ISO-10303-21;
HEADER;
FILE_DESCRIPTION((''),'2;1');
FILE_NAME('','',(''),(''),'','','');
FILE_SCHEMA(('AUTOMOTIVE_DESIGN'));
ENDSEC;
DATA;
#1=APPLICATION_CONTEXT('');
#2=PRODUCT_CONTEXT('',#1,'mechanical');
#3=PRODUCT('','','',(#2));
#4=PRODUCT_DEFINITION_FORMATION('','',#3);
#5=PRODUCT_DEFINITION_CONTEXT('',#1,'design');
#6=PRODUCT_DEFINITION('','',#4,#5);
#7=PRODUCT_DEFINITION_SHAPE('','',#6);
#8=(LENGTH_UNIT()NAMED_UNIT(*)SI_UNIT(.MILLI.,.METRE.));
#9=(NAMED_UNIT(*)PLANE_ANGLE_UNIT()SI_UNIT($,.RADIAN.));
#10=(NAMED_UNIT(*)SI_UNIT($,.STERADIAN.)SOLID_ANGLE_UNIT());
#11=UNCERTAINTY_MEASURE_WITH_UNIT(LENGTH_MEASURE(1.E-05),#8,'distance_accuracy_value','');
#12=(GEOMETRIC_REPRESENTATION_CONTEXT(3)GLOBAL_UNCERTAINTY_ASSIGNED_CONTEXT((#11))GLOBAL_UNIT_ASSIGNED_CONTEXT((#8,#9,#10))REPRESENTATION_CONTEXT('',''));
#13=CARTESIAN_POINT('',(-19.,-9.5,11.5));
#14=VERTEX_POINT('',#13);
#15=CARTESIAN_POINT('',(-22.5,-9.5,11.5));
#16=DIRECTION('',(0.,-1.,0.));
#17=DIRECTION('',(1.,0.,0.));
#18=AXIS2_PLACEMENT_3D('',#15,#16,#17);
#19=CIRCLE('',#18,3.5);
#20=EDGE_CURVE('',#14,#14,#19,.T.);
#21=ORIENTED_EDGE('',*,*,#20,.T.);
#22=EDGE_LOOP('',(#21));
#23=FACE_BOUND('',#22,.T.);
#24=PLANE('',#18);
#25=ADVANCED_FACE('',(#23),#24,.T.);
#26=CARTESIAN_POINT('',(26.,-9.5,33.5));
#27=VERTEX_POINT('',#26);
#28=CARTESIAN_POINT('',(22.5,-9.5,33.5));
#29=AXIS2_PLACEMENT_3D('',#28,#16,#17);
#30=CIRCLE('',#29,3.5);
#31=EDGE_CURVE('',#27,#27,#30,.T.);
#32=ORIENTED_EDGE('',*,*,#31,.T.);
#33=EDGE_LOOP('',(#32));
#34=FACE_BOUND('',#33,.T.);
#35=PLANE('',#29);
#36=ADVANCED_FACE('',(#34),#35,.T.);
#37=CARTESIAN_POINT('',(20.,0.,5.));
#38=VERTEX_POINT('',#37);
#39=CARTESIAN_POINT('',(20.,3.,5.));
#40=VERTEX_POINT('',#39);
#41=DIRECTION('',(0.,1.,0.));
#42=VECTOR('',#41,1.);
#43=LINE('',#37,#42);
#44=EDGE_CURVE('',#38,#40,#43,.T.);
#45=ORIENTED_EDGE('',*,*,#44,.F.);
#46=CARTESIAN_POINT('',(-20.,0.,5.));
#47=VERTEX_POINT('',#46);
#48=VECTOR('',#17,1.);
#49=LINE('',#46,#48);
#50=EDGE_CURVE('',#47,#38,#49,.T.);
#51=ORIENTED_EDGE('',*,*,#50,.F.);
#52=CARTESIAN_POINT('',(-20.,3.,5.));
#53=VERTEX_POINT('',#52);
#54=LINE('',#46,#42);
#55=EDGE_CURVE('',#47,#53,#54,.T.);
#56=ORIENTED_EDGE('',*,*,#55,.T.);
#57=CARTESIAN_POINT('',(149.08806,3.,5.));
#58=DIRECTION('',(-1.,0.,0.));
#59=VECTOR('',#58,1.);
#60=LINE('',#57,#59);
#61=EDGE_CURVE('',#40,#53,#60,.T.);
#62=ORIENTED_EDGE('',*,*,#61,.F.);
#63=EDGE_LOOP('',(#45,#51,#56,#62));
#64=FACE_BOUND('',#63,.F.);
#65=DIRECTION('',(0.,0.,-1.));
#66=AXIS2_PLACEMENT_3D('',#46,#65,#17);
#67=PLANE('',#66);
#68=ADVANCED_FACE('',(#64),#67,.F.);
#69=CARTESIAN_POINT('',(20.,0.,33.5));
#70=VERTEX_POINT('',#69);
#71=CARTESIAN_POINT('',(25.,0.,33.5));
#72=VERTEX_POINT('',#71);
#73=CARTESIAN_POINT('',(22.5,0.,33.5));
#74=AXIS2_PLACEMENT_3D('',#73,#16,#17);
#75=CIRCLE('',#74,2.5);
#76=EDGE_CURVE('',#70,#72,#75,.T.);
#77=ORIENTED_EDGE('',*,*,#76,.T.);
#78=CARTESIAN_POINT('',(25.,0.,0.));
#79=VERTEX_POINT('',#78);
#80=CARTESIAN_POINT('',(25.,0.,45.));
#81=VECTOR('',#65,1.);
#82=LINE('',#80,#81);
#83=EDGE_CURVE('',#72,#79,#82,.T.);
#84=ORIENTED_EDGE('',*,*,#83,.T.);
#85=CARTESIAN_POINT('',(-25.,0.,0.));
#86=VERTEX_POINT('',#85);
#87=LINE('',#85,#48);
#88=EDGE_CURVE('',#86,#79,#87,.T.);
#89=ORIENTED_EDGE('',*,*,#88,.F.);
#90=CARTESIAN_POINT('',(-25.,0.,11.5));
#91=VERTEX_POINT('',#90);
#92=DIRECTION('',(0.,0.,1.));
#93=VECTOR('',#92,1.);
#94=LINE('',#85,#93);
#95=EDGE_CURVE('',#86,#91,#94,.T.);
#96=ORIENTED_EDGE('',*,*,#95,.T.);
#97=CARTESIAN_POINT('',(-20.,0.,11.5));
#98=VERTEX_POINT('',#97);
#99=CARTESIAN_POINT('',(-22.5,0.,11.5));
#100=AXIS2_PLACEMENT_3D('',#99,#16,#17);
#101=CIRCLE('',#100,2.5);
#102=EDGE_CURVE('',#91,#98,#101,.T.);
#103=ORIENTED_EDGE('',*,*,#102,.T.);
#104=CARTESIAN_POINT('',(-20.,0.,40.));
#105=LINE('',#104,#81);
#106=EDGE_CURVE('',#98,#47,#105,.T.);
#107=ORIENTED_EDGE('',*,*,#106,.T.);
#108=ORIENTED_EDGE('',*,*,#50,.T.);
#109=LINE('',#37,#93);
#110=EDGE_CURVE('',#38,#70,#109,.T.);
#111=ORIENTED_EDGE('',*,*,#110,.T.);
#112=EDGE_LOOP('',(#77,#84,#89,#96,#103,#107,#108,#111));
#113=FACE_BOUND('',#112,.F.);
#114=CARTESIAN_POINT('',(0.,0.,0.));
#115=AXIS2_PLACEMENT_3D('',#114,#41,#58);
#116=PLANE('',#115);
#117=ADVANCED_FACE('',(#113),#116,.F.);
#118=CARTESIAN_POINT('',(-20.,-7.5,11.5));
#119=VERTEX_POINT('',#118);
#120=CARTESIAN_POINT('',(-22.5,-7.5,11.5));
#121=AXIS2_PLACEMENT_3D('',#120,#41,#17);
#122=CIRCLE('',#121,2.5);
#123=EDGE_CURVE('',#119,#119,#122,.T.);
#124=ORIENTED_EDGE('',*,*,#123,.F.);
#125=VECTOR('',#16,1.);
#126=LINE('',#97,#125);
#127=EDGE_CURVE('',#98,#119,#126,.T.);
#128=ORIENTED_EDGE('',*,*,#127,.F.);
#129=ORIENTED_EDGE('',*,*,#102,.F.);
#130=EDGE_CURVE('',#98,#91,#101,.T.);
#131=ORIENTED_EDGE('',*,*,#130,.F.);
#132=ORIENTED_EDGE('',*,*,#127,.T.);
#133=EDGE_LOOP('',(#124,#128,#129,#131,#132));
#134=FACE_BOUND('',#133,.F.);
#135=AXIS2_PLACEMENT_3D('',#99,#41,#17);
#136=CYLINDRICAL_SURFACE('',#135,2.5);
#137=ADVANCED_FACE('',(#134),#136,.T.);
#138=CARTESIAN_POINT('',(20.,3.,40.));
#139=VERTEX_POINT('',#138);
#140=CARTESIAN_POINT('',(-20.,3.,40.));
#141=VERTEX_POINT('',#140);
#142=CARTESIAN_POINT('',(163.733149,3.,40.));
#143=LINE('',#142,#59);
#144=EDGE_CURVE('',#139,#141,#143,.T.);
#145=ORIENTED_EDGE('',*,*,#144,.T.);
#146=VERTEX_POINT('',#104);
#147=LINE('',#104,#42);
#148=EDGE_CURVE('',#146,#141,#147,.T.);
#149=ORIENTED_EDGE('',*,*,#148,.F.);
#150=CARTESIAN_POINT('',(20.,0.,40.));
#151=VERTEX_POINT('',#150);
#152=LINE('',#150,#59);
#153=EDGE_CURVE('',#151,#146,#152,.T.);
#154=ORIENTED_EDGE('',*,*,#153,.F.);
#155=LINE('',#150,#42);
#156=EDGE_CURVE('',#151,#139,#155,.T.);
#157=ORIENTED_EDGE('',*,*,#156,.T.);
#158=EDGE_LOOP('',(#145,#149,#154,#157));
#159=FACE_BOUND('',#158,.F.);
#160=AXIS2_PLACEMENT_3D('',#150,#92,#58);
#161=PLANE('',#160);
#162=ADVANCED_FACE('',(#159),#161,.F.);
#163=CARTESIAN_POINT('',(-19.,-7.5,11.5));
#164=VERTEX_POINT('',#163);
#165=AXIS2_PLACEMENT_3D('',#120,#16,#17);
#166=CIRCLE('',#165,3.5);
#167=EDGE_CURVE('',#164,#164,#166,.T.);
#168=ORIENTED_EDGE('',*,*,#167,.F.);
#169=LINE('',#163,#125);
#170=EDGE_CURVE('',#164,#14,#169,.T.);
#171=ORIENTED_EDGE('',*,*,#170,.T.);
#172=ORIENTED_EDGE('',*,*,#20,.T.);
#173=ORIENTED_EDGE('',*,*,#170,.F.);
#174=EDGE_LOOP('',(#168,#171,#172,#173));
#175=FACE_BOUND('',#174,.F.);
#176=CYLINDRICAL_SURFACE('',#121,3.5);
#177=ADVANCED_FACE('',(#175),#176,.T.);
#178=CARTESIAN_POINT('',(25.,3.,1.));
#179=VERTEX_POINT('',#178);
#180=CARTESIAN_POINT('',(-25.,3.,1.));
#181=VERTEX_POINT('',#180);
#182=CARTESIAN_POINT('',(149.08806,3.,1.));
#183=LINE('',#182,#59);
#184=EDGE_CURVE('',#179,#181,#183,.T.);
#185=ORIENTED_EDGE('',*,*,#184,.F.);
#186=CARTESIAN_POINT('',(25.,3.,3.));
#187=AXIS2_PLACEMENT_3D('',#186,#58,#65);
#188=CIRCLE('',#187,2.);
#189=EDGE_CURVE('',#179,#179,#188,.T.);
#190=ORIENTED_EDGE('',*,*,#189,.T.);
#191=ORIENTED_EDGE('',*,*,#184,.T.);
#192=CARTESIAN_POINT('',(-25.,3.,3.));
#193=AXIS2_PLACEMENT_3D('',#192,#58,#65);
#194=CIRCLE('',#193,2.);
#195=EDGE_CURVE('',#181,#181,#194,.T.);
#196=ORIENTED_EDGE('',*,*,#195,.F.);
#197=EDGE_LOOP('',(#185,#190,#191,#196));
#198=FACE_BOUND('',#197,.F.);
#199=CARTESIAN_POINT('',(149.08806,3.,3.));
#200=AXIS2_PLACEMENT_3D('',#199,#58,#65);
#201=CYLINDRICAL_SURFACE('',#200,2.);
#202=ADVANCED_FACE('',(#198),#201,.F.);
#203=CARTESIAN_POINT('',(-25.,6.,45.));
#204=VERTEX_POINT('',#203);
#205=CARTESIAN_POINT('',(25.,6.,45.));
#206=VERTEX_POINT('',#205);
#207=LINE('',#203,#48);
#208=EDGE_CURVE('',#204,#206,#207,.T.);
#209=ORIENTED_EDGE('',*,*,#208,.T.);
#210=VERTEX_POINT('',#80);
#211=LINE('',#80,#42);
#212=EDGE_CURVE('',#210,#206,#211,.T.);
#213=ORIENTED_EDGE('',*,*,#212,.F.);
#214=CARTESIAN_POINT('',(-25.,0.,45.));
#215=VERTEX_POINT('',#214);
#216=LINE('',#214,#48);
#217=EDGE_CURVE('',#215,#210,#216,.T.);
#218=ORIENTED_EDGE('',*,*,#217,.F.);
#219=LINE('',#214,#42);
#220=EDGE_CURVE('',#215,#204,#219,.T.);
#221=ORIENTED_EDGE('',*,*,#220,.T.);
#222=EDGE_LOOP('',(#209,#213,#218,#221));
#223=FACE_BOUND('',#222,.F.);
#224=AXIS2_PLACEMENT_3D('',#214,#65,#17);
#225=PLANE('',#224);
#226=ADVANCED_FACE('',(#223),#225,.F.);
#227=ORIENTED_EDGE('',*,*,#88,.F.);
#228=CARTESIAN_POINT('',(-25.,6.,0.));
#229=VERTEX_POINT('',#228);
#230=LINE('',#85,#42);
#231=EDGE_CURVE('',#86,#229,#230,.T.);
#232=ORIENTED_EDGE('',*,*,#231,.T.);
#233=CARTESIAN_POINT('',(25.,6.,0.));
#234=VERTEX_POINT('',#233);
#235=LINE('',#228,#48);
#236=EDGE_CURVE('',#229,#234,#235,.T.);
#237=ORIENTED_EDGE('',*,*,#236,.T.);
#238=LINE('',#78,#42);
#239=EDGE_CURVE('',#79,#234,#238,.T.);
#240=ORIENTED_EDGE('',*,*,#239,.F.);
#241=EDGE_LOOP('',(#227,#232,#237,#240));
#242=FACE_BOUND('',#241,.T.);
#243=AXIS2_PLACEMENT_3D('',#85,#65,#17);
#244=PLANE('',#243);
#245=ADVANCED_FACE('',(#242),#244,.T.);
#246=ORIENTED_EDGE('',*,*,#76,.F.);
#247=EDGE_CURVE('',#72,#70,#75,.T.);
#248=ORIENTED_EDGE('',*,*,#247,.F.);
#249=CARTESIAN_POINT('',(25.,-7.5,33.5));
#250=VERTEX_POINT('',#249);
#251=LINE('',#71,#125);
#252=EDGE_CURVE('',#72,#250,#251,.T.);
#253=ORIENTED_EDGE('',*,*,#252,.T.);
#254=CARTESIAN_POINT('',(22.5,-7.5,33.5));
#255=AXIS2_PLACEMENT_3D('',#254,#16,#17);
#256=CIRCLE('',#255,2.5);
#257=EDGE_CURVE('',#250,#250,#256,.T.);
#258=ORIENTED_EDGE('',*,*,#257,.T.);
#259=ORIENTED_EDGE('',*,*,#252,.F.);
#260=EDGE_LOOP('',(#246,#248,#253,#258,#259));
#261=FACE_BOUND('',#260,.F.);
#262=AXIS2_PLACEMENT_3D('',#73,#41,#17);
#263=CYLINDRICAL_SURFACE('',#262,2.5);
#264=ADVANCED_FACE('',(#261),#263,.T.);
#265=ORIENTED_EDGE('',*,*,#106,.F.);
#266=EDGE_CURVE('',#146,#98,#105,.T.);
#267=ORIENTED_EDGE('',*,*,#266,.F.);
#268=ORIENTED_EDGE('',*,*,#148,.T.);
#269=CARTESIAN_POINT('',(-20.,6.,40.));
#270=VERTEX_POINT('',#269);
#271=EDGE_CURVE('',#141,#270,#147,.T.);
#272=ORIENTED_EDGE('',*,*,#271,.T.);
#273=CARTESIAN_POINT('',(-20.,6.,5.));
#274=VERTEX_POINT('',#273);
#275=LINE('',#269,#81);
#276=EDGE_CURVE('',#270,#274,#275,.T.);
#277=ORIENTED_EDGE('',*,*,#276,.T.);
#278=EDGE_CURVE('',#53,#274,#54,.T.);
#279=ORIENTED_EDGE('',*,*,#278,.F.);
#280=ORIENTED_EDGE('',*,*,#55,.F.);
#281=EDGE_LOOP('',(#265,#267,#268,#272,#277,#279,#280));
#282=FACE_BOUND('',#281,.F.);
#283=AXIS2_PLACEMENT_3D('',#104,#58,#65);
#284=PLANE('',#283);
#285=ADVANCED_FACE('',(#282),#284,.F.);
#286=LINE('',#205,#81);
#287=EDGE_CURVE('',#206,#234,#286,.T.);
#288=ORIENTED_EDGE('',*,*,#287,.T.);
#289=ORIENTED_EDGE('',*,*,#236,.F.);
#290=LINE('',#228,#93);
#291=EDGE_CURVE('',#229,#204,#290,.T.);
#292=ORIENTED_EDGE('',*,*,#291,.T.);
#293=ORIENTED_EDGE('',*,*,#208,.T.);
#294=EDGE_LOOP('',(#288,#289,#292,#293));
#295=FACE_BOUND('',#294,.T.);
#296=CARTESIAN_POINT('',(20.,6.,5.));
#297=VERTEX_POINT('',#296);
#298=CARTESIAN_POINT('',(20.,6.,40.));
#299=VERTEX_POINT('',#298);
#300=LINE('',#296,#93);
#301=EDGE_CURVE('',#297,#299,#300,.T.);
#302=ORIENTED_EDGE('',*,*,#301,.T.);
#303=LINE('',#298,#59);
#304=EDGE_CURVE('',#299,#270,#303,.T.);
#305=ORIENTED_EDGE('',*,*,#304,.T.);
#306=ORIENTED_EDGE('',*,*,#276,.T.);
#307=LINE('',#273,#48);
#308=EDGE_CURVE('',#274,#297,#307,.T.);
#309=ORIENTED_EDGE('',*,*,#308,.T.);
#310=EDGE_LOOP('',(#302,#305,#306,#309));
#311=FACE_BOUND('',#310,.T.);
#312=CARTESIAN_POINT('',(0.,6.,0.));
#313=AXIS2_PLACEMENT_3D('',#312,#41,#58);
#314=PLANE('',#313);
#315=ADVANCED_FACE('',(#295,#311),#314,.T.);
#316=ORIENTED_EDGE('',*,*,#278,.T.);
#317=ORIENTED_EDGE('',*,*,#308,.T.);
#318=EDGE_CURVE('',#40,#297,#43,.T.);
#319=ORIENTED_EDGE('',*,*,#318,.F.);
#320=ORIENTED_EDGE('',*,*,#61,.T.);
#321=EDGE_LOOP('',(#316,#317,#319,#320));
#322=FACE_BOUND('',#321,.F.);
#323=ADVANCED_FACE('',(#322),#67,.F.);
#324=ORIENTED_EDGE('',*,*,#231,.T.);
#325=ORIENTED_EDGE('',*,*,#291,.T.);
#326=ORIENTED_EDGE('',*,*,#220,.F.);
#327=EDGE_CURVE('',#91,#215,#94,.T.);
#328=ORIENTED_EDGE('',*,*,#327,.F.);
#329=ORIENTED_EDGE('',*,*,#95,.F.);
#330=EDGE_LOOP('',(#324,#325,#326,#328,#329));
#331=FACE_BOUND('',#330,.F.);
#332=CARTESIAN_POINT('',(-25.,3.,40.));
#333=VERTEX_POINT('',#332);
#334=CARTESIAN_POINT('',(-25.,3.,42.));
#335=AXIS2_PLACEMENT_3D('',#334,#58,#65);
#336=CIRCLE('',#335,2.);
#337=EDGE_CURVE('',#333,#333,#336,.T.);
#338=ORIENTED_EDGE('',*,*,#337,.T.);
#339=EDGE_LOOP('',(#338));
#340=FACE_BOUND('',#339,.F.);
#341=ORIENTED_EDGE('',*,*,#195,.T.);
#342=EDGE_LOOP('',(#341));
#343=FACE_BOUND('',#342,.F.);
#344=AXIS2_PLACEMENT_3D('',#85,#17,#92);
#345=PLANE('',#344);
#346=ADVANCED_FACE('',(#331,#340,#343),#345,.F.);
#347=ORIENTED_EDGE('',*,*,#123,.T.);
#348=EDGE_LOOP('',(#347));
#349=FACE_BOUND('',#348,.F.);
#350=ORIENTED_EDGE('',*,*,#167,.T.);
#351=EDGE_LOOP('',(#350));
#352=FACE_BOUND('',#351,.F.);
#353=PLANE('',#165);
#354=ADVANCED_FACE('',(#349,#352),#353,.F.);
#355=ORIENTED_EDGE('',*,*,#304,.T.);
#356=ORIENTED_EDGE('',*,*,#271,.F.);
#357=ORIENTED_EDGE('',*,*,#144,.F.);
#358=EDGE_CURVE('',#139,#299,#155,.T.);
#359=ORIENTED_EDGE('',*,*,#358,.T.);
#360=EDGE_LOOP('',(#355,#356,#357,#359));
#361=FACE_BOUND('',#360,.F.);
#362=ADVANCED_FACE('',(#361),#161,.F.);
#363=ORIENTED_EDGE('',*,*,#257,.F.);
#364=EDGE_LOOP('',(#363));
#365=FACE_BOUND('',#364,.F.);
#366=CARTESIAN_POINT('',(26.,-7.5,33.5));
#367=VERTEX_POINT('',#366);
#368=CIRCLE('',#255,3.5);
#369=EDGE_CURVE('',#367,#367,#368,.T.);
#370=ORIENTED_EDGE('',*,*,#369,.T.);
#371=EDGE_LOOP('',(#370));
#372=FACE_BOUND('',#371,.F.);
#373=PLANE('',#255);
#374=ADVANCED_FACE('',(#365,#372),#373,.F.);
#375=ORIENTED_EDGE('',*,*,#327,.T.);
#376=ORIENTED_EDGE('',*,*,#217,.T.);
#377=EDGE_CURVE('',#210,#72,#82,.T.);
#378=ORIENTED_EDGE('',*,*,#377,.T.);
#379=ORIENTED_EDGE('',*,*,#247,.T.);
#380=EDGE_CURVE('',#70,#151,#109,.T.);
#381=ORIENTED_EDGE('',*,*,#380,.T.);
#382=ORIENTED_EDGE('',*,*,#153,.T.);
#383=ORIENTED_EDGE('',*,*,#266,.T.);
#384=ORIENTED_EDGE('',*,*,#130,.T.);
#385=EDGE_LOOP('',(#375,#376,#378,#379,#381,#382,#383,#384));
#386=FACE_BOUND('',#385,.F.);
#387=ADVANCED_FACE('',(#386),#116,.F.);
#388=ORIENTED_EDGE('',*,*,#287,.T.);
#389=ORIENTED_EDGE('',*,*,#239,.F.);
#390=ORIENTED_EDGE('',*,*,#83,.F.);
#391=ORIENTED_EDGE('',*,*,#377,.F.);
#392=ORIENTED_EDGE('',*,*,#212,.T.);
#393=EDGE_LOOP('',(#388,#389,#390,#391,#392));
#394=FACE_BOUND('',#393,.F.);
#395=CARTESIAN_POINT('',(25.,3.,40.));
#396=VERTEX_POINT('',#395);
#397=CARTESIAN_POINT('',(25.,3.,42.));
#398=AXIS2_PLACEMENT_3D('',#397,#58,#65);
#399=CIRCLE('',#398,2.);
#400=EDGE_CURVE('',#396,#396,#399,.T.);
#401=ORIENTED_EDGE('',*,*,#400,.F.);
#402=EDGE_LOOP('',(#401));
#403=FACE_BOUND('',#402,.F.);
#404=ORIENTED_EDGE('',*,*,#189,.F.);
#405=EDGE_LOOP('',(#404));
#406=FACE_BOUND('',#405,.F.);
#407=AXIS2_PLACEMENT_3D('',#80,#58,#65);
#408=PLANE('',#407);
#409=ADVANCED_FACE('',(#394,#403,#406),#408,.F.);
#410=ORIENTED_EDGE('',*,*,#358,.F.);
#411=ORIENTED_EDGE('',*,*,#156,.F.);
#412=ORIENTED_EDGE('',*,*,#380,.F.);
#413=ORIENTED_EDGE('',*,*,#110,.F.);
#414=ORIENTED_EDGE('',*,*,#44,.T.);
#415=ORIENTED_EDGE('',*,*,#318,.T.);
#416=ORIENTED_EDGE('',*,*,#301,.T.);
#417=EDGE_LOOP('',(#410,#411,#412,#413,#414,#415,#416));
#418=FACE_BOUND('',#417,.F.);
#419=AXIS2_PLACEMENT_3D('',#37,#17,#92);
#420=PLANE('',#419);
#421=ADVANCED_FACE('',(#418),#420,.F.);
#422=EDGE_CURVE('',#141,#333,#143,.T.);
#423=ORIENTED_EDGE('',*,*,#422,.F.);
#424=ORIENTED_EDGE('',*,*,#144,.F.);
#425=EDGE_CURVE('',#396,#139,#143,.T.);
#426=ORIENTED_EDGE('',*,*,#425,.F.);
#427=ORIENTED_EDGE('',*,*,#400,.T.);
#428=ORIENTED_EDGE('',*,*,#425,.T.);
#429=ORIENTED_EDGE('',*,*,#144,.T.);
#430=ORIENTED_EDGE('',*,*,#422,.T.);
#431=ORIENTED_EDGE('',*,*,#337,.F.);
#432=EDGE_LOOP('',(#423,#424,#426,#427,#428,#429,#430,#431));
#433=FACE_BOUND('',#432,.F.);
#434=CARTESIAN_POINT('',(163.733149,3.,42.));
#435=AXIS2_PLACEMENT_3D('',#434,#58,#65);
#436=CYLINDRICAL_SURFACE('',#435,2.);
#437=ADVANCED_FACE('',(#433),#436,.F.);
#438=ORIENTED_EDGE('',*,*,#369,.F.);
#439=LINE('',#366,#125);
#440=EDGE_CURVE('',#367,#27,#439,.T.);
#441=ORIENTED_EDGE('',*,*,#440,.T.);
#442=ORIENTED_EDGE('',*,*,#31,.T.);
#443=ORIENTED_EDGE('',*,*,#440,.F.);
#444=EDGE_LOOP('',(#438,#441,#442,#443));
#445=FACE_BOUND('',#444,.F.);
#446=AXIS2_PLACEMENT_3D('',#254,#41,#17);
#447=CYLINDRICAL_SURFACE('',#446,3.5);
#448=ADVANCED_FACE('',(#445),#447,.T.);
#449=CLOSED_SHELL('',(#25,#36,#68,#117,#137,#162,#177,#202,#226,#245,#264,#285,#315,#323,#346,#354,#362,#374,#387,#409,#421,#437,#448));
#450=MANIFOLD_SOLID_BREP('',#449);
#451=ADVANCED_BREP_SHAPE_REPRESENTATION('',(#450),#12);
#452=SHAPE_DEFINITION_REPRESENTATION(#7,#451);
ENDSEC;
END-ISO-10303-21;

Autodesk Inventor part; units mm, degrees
ref_plane "YZ Plane" through (0, 0, 0) normal (1, 0, 0) x (0, 1, 0)
ref_plane "XZ Plane" through (0, 0, 0) normal (0, 1, 0) x (-1, 0, 0)
ref_plane "XY Plane" through (0, 0, 0) normal (0, 0, 1) x (1, 0, 0)
sketch "Sketch1" plane through (0, 0, 0) normal (0, 1, 0) x (-1, 0, 0)
  line L0 (25, 0) -> (25, 45)
  line L1 (25, 45) -> (-25, 45)
  line L2 (-25, 45) -> (-25, 0)
  line L3 (25, 0) -> (-25, 0)
  line L4 (20, 5) -> (-20, 5)
  line L5 (-20, 5) -> (-20, 40)
  line L6 (-20, 40) -> (20, 40)
  line L7 (20, 40) -> (20, 5)
  point P0 (0, 0)
  dimension "d2" = 45
  dimension "d3" = 50
  dimension "d4" = 45
  dimension "d5" = 50
  dimension "d9" = 35
  dimension "d10" = 40
  dimension "d11" = 35
extrude "Extrusion1" add sketch "Sketch1" along normal blind 6
sketch "Sketch2" plane through (0, 0, 0) normal (0, -1, 0) x (1, 0, 0)
  line L0 (25, 45) -> (25, 0) projected
  line L1 (-25, 45) -> (25, 45) projected
  circle A0 centre (22.5, 33.5) radius 2.5
  line L2 (-25, 0) -> (-25, 45) projected
  line L3 (25, 0) -> (-25, 0) projected
  circle A1 centre (-22.5, 11.5) radius 2.5
  point P0 (0, 0)
  dimension "d16" = 5
  dimension "d19" = 5
extrude "Extrusion2" add sketch "Sketch2" along normal blind 7.5 contours A1 | A0
sketch "Sketch3" plane through (22.5, -7.5, 33.5) normal (0, -1, 0) x (1, 0, 0)
  circle A0 centre (0, 0) radius 3.5
  point P0 (-22.5, -33.5)
  dimension "d22" = 7
sketch "Sketch4" plane through (-22.5, -7.5, 11.5) normal (0, -1, 0) x (1, 0, 0)
  circle A0 centre (0, 0) radius 3.5
  point P0 (22.5, -11.5)
  dimension "d23" = 7
extrude "Extrusion3" add sketch "Sketch4" along normal blind 2
extrude "Extrusion4" add sketch "Sketch3" along normal blind 2
sketch "Sketch6" plane through (25, 0, 0) normal (1, 0, 0) x (0, 0, -1)
  line L0 (0, 0) -> (0, 6)
  line L1 (0, 0) -> (0, 6) projected
  line L2 (-45, 0) -> (-45, 6)
  circle A0 centre (-42, 3) radius 2
  circle A1 centre (-3, 3) radius 2
  dimension "d41" = 6
  dimension "d44" = 4
  dimension "d45" = 4
hole "Hole2" at (25, 3, 42) at (25, 3, 3) direction (-1, 0, 0) diameter 4 end through all both
